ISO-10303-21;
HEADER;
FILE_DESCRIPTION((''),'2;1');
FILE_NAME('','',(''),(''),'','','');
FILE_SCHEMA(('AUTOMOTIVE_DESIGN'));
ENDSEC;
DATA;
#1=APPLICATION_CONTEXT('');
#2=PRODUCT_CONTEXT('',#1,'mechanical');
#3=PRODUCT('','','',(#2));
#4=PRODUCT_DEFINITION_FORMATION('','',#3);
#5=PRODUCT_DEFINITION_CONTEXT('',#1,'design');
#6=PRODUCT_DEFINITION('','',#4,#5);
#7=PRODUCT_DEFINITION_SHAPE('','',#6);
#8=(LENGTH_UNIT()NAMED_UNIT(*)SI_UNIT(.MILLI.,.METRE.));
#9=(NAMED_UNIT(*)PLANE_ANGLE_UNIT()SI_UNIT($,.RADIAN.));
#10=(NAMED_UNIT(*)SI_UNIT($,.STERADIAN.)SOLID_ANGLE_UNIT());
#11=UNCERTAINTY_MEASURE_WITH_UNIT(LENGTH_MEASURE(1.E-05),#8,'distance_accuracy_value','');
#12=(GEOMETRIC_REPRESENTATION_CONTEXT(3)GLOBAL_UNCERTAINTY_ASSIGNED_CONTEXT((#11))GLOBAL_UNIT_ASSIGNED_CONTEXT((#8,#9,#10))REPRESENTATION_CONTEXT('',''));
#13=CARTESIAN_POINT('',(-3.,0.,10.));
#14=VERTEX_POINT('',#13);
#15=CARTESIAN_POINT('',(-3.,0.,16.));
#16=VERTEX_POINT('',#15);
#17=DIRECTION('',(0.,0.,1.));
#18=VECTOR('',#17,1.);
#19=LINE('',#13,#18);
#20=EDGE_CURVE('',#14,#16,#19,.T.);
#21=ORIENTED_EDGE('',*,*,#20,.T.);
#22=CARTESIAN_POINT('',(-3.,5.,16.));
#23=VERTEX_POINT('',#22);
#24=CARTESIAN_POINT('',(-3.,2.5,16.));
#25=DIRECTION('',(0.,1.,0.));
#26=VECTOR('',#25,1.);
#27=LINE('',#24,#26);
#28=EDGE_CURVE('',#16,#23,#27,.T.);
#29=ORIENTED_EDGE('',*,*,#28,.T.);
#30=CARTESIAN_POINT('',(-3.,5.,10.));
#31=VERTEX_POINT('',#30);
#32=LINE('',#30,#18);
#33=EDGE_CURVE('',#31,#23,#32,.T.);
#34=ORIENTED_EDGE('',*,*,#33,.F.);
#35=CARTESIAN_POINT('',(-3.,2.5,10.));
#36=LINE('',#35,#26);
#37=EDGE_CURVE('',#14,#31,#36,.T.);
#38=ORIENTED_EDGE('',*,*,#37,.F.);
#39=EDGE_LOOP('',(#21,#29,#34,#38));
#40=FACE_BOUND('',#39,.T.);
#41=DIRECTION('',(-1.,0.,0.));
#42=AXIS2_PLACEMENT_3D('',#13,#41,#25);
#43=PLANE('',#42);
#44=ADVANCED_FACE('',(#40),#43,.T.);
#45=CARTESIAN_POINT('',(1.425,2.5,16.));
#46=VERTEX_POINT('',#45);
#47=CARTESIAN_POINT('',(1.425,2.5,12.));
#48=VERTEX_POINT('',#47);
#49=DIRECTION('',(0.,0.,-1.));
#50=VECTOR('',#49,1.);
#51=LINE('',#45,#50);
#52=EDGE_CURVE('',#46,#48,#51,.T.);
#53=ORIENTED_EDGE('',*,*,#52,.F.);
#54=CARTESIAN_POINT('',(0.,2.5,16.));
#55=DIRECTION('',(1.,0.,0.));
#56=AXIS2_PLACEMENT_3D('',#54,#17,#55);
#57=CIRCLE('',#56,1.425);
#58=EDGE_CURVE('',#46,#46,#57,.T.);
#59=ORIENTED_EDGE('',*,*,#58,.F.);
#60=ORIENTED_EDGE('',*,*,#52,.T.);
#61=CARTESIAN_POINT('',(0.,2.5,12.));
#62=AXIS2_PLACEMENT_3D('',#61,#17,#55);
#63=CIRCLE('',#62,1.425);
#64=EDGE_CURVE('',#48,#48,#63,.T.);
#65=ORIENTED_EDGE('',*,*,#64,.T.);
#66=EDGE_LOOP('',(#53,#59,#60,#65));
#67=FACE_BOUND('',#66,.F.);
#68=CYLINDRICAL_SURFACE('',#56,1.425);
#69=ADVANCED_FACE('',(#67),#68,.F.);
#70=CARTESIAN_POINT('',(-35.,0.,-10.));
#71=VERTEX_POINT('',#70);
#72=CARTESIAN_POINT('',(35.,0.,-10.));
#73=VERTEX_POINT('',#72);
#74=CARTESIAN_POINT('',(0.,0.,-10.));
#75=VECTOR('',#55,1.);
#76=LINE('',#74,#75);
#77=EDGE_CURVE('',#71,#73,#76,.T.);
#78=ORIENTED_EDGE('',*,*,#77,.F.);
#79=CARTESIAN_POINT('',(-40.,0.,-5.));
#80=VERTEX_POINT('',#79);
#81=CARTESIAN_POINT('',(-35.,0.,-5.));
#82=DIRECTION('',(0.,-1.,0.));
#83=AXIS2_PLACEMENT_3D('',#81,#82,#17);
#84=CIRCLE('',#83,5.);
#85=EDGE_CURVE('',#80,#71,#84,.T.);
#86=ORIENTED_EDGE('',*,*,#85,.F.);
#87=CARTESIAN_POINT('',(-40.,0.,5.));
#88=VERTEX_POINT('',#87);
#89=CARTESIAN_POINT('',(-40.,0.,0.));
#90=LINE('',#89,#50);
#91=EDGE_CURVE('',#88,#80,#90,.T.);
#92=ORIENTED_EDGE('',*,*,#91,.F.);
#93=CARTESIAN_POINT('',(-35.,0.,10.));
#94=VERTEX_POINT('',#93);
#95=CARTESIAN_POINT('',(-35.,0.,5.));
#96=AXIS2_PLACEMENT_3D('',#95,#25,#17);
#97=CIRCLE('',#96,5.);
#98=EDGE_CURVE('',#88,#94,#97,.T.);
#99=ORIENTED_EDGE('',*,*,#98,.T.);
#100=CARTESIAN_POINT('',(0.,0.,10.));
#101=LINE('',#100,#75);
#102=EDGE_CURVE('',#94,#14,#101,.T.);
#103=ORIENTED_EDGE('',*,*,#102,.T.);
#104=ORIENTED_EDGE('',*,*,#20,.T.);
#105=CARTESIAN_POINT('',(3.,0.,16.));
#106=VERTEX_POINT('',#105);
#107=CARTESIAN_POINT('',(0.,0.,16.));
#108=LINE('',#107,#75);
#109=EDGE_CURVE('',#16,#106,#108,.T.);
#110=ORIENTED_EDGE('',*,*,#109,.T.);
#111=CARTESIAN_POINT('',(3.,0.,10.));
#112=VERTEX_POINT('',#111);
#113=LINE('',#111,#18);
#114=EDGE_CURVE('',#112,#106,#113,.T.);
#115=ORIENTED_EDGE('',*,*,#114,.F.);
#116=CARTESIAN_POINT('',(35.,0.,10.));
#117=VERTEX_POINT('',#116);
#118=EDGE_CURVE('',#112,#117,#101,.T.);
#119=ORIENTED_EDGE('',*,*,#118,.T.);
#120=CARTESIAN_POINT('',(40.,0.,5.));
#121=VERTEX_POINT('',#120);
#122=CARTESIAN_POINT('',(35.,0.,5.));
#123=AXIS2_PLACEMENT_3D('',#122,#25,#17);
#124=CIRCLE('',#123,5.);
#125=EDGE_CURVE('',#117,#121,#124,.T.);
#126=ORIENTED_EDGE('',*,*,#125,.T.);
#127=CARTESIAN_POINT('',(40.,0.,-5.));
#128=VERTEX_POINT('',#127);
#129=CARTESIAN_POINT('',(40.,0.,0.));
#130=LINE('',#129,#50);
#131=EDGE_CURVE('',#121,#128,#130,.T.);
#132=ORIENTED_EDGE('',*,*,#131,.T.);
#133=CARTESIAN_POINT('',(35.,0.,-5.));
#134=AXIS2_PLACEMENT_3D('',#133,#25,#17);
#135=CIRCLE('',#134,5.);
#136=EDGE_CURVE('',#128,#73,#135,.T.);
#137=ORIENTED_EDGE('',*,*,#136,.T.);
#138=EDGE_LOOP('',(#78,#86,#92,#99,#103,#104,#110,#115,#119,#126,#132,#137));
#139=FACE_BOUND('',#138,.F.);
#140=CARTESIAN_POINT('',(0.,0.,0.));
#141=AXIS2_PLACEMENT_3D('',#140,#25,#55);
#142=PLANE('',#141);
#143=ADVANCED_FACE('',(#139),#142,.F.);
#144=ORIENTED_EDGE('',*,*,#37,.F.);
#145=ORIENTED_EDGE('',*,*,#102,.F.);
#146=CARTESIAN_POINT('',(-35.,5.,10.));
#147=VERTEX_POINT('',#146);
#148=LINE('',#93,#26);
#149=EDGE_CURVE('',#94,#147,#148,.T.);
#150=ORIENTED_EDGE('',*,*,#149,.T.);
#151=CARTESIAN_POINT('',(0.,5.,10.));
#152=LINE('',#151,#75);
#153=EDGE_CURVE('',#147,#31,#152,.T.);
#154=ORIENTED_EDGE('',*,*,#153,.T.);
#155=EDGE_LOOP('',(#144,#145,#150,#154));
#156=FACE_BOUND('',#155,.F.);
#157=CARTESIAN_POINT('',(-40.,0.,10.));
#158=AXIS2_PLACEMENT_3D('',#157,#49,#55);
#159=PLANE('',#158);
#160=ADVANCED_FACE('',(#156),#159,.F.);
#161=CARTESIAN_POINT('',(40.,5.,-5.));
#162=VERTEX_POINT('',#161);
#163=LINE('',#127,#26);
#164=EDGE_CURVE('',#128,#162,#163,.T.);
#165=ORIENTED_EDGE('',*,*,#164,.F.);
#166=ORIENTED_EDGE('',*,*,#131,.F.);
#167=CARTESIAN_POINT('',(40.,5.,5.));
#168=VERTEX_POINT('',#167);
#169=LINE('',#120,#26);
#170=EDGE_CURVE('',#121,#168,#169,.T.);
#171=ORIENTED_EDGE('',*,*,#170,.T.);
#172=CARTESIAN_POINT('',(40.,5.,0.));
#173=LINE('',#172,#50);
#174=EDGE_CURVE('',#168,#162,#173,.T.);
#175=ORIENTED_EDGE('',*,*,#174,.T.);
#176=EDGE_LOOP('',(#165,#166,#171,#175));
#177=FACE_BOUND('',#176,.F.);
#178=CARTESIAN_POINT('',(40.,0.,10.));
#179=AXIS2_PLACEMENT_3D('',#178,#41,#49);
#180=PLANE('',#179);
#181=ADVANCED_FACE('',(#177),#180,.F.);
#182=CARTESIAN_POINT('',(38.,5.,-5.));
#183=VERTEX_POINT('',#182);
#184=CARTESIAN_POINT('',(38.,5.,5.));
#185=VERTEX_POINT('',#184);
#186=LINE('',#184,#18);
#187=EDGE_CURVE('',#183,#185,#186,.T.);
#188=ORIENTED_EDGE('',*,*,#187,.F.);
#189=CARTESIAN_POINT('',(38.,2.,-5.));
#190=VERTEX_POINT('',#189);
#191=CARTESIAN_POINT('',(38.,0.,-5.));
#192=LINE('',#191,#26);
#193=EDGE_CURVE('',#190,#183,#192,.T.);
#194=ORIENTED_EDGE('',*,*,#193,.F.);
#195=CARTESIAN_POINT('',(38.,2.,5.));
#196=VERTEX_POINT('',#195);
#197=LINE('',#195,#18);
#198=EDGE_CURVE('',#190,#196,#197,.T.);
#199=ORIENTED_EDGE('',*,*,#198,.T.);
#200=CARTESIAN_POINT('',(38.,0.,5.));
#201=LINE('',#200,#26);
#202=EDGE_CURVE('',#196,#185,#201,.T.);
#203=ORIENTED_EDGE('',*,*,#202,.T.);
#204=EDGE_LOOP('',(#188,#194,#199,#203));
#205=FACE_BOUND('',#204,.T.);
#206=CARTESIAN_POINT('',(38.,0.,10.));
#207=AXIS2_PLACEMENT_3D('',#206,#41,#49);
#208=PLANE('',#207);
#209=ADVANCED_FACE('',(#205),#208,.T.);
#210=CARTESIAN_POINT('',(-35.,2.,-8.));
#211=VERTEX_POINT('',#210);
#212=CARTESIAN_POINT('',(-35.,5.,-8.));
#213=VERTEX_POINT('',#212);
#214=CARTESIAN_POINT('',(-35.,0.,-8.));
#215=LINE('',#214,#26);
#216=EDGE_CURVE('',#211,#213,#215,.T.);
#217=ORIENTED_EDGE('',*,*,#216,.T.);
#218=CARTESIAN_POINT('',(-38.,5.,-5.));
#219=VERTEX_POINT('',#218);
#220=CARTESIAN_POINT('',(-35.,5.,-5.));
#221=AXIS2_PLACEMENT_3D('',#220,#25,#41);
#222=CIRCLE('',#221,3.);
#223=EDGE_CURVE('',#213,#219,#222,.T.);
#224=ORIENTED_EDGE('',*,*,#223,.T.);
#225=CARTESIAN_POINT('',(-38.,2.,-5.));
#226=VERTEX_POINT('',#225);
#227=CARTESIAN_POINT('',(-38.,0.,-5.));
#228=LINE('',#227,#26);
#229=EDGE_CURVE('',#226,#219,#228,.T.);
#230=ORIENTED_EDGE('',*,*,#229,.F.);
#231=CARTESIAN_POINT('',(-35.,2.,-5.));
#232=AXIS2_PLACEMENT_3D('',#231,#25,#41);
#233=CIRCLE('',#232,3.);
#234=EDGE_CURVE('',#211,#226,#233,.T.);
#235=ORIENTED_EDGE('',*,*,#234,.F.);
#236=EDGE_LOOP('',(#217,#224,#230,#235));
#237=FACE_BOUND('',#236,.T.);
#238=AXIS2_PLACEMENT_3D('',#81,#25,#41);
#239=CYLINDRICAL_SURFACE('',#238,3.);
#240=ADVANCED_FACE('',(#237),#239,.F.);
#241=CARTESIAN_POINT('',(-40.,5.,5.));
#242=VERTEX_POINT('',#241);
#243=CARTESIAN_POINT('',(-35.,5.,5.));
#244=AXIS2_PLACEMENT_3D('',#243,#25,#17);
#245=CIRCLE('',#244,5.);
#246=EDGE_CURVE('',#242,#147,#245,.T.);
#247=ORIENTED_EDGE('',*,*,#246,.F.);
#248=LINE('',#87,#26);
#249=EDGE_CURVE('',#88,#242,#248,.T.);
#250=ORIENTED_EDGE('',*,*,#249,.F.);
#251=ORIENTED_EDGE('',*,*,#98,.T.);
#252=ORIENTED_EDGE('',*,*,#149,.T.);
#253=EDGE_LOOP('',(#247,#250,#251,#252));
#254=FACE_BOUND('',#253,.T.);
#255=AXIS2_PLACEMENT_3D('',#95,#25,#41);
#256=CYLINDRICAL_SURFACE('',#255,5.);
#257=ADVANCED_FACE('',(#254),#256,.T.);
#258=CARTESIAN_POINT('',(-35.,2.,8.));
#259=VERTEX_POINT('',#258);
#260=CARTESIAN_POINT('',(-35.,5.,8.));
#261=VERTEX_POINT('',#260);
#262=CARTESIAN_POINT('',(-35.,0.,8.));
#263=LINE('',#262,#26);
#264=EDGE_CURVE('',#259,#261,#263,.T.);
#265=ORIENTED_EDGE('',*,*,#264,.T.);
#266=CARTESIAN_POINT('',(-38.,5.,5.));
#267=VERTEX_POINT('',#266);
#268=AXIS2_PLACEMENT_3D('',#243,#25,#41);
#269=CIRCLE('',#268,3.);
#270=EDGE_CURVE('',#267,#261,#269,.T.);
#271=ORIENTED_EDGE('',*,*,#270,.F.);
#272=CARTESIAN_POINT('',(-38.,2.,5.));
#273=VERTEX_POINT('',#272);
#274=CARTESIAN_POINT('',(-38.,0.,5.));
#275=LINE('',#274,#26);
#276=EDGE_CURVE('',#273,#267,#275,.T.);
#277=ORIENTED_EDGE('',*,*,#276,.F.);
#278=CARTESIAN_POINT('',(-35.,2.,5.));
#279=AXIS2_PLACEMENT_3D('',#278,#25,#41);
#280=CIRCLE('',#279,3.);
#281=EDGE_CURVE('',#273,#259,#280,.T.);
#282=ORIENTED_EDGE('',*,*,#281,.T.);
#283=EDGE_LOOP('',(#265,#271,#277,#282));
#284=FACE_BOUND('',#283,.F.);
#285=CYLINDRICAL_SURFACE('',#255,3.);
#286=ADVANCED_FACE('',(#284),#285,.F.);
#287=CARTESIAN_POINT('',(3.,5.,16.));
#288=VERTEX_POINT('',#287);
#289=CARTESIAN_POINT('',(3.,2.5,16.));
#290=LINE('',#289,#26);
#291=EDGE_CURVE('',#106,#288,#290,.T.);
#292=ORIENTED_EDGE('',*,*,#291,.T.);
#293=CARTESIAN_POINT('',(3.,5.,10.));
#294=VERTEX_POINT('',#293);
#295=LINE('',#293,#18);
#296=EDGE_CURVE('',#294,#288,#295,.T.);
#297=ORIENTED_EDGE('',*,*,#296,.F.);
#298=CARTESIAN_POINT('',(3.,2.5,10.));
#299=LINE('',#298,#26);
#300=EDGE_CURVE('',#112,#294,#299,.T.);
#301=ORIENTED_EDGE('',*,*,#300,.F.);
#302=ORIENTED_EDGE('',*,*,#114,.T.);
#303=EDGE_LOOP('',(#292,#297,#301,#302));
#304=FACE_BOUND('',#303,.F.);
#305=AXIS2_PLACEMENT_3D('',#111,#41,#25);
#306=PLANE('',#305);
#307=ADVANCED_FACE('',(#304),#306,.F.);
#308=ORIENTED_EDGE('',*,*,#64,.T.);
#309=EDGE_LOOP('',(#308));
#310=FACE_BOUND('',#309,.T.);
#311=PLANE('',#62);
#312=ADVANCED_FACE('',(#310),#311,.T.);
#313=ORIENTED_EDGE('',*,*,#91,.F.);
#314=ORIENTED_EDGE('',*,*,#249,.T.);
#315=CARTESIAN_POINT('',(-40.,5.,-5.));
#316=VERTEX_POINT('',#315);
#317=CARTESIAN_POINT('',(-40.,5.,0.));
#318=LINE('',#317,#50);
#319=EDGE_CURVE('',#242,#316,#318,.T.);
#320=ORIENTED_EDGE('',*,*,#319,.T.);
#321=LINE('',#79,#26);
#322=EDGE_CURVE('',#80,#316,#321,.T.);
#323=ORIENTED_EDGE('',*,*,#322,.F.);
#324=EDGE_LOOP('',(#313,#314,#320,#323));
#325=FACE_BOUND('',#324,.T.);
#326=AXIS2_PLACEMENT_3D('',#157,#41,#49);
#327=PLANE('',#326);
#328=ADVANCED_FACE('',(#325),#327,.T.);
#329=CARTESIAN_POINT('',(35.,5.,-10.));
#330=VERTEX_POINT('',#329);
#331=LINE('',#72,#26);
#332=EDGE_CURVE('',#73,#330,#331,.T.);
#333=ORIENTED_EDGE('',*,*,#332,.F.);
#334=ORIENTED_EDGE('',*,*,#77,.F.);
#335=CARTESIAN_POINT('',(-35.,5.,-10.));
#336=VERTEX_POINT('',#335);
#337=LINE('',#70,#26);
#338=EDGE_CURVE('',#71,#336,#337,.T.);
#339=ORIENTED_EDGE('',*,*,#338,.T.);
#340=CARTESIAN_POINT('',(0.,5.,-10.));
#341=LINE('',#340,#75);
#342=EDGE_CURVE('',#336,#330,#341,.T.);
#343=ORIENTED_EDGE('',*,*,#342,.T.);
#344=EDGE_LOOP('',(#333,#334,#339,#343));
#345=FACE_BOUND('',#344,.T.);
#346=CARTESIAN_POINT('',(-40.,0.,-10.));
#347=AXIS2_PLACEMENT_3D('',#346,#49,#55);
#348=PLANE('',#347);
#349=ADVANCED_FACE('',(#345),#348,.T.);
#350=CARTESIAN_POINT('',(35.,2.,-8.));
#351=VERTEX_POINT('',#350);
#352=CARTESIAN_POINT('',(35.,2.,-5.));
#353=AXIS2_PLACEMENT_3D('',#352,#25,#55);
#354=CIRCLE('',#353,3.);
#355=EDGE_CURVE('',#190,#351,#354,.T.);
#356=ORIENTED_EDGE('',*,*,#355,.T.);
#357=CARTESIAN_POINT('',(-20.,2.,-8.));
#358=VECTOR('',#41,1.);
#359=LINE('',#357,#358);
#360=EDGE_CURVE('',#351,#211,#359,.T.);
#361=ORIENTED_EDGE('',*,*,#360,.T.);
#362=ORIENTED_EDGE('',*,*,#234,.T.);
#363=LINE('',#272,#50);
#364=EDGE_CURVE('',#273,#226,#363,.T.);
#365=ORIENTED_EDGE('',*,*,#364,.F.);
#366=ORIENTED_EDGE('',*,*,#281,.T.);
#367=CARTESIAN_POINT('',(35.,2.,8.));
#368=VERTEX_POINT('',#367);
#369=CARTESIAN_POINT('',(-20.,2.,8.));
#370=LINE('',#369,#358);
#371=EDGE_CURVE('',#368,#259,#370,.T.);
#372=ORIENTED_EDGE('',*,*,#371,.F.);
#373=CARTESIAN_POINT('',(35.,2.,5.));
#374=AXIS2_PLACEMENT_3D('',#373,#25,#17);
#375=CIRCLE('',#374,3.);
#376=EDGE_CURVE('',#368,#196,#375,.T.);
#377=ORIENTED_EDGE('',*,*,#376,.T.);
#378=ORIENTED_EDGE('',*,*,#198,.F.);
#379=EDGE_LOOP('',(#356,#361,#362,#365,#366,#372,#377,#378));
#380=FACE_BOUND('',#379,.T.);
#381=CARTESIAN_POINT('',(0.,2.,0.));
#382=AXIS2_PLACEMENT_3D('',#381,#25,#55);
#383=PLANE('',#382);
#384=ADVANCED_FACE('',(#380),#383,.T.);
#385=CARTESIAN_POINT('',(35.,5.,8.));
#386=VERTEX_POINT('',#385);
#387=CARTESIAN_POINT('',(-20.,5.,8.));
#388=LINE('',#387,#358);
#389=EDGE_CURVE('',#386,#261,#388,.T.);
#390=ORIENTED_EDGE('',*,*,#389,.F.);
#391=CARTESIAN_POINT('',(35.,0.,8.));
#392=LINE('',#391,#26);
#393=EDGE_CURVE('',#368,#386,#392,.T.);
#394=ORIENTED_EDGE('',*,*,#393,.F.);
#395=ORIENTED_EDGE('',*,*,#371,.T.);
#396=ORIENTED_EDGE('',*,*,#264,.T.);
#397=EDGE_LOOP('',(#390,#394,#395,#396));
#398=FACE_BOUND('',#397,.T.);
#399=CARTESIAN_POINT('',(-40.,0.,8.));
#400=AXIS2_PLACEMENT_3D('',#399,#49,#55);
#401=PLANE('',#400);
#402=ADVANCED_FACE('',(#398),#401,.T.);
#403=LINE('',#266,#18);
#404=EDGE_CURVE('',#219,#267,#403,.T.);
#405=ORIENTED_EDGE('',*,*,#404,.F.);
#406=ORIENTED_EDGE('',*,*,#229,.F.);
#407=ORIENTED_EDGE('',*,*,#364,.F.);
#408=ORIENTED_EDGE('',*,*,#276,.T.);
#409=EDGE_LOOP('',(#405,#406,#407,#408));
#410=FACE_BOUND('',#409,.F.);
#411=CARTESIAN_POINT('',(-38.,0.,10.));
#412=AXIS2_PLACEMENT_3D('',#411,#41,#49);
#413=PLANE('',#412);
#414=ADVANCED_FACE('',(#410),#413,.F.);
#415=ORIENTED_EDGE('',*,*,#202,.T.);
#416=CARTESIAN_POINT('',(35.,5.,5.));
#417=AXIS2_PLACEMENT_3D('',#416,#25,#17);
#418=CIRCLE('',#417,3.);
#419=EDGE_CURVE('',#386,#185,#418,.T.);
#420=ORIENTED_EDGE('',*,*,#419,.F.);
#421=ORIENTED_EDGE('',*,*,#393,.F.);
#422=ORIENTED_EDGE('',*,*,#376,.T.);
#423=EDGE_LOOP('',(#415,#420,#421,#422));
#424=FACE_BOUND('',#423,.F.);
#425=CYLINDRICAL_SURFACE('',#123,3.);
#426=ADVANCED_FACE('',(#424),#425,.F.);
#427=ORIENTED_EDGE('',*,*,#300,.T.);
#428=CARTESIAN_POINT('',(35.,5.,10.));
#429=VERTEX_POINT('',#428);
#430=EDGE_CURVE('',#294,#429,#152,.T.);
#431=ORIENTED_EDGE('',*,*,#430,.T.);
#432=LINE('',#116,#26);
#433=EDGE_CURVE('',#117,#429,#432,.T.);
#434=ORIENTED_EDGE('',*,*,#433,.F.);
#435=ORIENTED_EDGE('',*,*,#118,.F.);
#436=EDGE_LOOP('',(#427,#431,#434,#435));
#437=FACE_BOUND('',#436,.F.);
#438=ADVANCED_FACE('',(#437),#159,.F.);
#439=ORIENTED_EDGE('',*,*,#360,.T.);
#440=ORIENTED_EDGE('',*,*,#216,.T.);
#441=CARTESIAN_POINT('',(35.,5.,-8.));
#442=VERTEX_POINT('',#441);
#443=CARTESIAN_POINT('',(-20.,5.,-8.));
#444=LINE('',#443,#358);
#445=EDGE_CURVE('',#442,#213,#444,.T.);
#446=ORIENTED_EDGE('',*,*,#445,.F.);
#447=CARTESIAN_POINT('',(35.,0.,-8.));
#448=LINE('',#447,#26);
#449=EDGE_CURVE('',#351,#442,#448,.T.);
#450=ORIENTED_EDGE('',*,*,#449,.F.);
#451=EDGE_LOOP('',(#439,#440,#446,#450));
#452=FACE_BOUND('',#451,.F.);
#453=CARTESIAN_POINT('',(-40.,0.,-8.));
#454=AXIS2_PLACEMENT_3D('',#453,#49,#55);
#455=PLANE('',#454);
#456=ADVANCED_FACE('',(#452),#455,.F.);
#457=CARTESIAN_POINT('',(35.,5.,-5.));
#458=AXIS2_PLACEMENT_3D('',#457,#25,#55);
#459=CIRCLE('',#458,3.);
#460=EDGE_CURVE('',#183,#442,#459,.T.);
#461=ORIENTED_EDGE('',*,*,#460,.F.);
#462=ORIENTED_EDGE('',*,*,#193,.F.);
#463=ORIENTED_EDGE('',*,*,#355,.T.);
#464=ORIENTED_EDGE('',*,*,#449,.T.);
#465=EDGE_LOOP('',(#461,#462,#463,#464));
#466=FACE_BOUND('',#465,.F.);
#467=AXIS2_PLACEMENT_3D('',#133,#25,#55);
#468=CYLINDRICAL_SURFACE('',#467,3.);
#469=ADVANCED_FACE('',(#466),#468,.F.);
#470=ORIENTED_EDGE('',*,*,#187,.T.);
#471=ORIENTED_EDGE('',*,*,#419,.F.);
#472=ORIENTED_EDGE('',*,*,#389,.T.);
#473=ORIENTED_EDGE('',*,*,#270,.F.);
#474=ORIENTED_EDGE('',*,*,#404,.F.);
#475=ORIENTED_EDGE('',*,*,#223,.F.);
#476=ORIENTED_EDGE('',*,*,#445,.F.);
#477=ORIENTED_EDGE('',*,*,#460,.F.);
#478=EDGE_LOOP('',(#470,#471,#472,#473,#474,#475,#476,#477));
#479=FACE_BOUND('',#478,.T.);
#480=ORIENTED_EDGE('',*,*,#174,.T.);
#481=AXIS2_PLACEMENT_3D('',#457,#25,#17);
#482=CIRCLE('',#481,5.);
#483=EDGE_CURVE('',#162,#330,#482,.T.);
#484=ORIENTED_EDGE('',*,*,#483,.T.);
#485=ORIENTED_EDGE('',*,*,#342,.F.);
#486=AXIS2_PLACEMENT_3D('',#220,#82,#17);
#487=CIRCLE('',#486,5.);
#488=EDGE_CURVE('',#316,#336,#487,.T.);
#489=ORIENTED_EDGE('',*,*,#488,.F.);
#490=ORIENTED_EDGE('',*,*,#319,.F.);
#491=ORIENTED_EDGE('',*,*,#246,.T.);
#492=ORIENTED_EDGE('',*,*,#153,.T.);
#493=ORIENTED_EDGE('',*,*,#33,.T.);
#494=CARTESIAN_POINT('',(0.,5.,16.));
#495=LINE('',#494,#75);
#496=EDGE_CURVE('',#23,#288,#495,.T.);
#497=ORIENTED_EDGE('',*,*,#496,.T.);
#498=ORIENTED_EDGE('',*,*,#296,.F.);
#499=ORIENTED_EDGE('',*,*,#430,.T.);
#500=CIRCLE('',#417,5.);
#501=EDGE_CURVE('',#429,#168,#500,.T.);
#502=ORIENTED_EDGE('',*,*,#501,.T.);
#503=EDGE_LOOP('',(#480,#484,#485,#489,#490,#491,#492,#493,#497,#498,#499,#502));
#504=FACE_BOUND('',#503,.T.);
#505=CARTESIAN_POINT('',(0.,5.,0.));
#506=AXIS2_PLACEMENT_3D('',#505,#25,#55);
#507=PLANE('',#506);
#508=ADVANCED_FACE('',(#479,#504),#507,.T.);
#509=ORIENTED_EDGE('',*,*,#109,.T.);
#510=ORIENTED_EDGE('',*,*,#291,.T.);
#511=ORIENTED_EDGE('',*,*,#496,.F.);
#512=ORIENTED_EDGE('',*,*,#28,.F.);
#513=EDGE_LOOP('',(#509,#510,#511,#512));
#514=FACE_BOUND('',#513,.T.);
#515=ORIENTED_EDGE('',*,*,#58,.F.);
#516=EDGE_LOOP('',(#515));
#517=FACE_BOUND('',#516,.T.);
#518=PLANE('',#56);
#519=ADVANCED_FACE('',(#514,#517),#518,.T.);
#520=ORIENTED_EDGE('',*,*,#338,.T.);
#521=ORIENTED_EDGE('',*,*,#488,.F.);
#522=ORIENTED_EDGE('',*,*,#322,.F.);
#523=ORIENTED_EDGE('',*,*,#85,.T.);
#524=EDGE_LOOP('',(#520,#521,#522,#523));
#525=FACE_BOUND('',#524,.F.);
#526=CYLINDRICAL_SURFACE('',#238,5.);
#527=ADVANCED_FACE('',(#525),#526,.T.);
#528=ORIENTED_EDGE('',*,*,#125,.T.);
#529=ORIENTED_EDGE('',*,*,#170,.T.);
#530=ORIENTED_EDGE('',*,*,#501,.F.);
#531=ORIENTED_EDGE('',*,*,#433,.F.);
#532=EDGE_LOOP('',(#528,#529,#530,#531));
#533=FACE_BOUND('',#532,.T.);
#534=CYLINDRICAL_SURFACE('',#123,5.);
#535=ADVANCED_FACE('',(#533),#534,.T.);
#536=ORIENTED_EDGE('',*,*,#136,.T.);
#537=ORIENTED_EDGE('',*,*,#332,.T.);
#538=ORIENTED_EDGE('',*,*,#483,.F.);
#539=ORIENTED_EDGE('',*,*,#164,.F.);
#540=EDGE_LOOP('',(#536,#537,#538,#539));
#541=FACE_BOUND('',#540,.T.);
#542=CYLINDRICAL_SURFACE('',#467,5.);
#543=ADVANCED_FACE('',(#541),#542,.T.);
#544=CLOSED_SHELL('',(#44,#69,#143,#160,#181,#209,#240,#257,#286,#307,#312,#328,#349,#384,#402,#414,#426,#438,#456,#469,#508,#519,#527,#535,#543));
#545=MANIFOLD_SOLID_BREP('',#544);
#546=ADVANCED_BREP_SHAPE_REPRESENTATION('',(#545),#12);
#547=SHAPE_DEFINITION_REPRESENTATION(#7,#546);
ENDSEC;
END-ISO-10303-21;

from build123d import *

# Parameters (mm, degrees)
SKETCH1_W           = 80
SKETCH1_H           = 20
BOSS_EXTRUDE1_DEPTH = 5
FILLET1_R           = 5
SHELL1_T            = -2
SKETCH3_W           = 6
SKETCH3_H           = 5
BOSS_EXTRUDE2_DEPTH = 6
SKETCH5_R           = 1.425
CUT_EXTRUDE1_DEPTH  = 4


with BuildPart() as part:
    # Sketch1 → Boss-Extrude1 (new body)
    with BuildSketch(Plane(origin=(0, 0, 0), x_dir=(1, 0, 0), z_dir=(0, 1, 0))):
        Rectangle(SKETCH1_W, SKETCH1_H)
    extrude(amount=BOSS_EXTRUDE1_DEPTH)

    # Fillet1
    fillet1_edges = [part.edges().sort_by_distance(p)[0] for p in [
        (-40, 2.5, -10),
        (40, 2.5, -10),
        (40, 2.5, 10),
        (-40, 2.5, 10),
    ]]
    fillet(fillet1_edges, radius=FILLET1_R)

    # Shell1
    shell1_openings = [part.faces().sort_by_distance(p)[0] for p in [
        (0, 5, 0),
    ]]
    offset(amount=SHELL1_T, openings=shell1_openings, kind=Kind.INTERSECTION)

    # Sketch3 → Boss-Extrude2 (add)
    with BuildSketch(Plane.XY.offset(10)):
        with Locations((0, 2.5)):
            Rectangle(SKETCH3_W, SKETCH3_H)
    extrude(amount=BOSS_EXTRUDE2_DEPTH)

    # Sketch5 → Cut-Extrude1 (cut)
    with BuildSketch(Plane.XY.offset(16)):
        with Locations((0, 2.5)):
            Circle(SKETCH5_R)
    extrude(amount=-CUT_EXTRUDE1_DEPTH, mode=Mode.SUBTRACT)


solid = part.part
